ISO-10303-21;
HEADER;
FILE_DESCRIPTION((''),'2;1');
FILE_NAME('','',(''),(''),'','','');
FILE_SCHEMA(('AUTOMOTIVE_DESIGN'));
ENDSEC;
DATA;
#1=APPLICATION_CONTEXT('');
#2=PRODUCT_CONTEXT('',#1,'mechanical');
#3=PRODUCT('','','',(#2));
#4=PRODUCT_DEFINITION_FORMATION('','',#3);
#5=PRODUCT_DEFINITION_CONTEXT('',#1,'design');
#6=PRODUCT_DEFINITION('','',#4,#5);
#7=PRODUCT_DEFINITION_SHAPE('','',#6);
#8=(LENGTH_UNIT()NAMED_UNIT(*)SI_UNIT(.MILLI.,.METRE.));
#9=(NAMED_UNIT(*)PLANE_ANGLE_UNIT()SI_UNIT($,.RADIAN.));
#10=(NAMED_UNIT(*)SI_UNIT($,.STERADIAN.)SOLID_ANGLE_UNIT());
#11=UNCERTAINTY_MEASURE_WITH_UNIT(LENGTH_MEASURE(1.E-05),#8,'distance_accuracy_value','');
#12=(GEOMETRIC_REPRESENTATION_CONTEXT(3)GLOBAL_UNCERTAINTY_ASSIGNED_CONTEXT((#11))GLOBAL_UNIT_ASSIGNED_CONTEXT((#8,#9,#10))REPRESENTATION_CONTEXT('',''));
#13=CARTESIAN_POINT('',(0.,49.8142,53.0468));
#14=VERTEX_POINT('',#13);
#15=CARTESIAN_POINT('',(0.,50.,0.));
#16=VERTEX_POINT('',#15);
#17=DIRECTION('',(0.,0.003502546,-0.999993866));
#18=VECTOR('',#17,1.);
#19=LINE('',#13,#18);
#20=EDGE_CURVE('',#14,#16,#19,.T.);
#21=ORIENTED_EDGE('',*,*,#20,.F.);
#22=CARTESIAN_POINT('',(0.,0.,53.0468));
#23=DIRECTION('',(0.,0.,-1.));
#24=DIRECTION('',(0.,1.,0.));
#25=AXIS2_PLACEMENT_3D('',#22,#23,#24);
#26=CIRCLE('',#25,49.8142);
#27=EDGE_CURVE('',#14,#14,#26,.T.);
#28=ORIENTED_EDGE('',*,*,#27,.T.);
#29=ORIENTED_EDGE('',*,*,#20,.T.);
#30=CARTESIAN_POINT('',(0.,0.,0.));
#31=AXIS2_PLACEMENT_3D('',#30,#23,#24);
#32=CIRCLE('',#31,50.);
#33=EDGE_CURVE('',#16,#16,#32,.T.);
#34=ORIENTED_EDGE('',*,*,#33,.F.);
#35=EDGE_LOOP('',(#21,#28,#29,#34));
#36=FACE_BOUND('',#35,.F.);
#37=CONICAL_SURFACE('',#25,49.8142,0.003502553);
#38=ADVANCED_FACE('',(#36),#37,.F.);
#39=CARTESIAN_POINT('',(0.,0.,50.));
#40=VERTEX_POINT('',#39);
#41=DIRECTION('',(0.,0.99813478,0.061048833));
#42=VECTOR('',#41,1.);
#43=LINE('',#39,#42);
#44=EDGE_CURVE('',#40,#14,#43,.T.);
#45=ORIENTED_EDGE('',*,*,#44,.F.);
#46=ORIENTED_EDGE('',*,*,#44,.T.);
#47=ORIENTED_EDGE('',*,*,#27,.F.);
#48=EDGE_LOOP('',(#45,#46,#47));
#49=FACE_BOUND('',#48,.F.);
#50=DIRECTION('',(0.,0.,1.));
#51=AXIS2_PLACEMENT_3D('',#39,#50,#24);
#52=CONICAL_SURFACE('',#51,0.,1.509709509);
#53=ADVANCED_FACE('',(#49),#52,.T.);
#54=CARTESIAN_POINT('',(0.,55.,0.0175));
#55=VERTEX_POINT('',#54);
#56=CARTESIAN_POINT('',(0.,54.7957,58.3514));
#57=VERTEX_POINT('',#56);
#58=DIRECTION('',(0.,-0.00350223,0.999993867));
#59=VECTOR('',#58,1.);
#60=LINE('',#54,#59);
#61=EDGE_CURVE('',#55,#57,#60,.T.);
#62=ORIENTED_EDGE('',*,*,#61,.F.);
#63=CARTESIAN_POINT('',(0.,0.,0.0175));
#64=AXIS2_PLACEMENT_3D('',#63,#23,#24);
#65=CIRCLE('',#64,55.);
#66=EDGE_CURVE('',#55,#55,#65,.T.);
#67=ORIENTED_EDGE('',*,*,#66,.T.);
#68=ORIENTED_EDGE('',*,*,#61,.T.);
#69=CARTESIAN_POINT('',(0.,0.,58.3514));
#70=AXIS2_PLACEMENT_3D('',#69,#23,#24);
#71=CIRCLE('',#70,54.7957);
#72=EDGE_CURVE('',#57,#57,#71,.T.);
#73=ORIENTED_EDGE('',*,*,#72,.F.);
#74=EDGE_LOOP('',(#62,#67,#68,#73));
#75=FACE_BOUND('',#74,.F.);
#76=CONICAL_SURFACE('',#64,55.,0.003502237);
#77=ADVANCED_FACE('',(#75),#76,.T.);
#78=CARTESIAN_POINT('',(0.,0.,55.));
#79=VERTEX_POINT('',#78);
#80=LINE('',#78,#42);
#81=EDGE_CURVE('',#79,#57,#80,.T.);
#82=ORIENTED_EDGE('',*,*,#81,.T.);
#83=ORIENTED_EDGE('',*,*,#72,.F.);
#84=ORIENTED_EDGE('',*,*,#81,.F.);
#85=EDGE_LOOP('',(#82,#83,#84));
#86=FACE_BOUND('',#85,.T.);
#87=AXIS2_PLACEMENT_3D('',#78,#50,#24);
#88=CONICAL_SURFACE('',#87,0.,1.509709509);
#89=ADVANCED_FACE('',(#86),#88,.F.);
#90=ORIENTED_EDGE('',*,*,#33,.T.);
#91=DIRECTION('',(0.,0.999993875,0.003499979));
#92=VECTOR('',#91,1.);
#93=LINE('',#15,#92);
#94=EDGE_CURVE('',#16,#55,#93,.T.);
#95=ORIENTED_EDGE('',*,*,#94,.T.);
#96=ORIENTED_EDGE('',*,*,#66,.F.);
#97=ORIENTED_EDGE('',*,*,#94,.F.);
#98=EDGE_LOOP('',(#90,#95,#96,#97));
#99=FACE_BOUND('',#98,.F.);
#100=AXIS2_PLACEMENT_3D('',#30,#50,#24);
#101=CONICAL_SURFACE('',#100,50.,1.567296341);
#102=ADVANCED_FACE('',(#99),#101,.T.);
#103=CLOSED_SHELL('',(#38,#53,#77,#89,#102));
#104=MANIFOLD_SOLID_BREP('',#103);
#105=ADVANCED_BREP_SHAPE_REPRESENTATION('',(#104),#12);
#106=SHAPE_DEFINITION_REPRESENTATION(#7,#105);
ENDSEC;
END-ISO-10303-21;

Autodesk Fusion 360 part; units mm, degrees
sketch "Sketch1" plane through (0, 0, 0) normal (1, 0, 0) x (0, 1, 0)
  line L0 (0, 0) -> (-72.8969, -68.4547)
  line L1 (0, 0) -> (100, 0) construction
  line L2 (0, 75) -> (0, -60) construction
  line L3 (0, 0) -> (72.8969, -68.4547)
  line L4 (0, 0) -> (0, 50)
  line L5 (0, 50) -> (3.0581, 0)
  line L6 (0, 50) -> (-3.0581, 0)
  line L7 (0, 0) -> (68.4547, 72.8969) construction
  line L8 (0, 50) -> (70.2321, 54.2956)
  line L9 (0, 50) -> (70.3634, 50) construction
  line L10 (49.8142, 53.0468) -> (50, 0)
  line L11 (70.2321, 54.2956) -> (70.2321, 59.2956)
  line L12 (0, 50) -> (0, 55)
  line L13 (0, 55) -> (70.2321, 59.2956)
  line L14 (50, 0) -> (55, 0.0175)
  line L15 (55, 0.0175) -> (54.7957, 58.3514)
  dimension "d6" = 7
  dimension "d7" = 46.8
  dimension "d8" = 3.5
  dimension "d10" = 5
  dimension "d11" = 5
  dimension "d12" = 5
revolve "Revolve1" add sketch "Sketch1" angle 360 about axis through (0, 0, 75) along (0, 0, -1) contours L8 L12 L13 L15 | L8 L10 L14 L15
